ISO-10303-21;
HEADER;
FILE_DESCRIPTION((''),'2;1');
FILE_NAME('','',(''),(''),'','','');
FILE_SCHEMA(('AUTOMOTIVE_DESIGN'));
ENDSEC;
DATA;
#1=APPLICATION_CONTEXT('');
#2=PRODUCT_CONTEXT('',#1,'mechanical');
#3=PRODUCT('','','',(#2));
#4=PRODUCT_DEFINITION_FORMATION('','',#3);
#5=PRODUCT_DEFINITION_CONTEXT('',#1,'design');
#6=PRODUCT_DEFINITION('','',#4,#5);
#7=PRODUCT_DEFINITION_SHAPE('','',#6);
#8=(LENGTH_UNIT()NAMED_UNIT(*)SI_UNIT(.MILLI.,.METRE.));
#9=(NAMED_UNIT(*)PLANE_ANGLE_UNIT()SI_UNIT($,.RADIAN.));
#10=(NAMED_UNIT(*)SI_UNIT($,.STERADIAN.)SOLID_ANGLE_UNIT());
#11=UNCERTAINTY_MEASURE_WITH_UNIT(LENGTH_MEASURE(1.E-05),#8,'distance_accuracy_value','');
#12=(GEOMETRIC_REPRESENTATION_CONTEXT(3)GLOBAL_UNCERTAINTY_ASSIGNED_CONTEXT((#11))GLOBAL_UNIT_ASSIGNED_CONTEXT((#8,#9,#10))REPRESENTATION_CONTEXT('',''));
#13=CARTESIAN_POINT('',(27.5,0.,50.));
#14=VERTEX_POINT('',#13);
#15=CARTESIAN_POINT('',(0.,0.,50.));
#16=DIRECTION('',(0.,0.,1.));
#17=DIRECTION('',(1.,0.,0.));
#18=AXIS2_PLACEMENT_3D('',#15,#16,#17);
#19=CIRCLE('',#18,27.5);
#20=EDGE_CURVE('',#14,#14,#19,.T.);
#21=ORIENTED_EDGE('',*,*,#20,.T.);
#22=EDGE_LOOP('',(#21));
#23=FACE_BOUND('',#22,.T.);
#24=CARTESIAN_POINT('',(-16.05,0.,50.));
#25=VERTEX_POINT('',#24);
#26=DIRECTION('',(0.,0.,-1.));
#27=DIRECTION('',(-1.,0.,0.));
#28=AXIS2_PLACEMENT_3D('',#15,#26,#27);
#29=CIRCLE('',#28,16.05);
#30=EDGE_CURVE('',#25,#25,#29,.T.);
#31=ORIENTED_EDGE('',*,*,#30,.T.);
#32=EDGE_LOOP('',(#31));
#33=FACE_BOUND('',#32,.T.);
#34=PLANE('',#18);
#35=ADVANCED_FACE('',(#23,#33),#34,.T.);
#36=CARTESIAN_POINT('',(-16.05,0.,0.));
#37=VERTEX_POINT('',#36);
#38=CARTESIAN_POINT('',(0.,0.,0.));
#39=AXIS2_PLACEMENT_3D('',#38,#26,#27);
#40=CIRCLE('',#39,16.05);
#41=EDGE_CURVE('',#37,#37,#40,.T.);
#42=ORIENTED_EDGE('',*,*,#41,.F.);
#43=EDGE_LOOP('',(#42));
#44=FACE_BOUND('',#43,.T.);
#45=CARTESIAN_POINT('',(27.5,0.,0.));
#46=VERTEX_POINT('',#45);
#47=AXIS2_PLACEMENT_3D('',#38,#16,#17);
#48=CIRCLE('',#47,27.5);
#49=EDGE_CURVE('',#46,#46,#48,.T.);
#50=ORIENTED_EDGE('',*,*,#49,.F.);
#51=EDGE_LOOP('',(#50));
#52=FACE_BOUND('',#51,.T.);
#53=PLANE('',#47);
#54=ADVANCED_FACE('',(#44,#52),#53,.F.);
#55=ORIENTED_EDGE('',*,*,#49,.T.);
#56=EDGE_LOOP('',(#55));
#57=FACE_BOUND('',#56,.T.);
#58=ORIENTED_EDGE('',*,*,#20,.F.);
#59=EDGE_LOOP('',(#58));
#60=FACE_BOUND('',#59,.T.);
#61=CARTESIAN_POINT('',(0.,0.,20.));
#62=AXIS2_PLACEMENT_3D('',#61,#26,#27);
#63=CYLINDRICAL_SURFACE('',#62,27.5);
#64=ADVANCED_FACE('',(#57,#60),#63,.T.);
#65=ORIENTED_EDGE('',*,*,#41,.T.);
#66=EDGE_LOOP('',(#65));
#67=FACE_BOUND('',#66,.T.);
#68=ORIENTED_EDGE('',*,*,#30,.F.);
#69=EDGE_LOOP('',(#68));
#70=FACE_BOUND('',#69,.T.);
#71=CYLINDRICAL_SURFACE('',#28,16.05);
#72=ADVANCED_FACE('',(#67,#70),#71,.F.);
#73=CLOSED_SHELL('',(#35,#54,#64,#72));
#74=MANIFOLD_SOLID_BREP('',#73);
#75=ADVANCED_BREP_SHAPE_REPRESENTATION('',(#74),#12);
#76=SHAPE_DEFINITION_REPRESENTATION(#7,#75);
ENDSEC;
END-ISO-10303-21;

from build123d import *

# Parameters (mm, degrees)
ESQUISSE1_R             = 27.5
BOSS_EXTRU_1_DEPTH      = 20
ESQUISSE2_R             = 27.5
BOSS_EXTRU_2_DEPTH      = 50
ESQUISSE3_R             = 16.05
ENL_V_MAT_EXTRU_1_DEPTH = 51


with BuildPart() as part:
    # Esquisse1 → Boss.-Extru.1 (new body)
    with BuildSketch(Plane.XY):
        Circle(ESQUISSE1_R)
    extrude(amount=BOSS_EXTRU_1_DEPTH)

    # Esquisse2 → Boss.-Extru.2 (add)
    with BuildSketch(Plane.XY):
        Circle(ESQUISSE2_R)
    extrude(amount=BOSS_EXTRU_2_DEPTH)

    # Esquisse3 → Enlèv. mat.-Extru.1 (cut, through all)
    with BuildSketch(Plane(origin=(0, 0, 0), x_dir=(-1, 0, 0), z_dir=(0, 0, -1))):
        Circle(ESQUISSE3_R)
    extrude(amount=-ENL_V_MAT_EXTRU_1_DEPTH, mode=Mode.SUBTRACT)


solid = part.part
